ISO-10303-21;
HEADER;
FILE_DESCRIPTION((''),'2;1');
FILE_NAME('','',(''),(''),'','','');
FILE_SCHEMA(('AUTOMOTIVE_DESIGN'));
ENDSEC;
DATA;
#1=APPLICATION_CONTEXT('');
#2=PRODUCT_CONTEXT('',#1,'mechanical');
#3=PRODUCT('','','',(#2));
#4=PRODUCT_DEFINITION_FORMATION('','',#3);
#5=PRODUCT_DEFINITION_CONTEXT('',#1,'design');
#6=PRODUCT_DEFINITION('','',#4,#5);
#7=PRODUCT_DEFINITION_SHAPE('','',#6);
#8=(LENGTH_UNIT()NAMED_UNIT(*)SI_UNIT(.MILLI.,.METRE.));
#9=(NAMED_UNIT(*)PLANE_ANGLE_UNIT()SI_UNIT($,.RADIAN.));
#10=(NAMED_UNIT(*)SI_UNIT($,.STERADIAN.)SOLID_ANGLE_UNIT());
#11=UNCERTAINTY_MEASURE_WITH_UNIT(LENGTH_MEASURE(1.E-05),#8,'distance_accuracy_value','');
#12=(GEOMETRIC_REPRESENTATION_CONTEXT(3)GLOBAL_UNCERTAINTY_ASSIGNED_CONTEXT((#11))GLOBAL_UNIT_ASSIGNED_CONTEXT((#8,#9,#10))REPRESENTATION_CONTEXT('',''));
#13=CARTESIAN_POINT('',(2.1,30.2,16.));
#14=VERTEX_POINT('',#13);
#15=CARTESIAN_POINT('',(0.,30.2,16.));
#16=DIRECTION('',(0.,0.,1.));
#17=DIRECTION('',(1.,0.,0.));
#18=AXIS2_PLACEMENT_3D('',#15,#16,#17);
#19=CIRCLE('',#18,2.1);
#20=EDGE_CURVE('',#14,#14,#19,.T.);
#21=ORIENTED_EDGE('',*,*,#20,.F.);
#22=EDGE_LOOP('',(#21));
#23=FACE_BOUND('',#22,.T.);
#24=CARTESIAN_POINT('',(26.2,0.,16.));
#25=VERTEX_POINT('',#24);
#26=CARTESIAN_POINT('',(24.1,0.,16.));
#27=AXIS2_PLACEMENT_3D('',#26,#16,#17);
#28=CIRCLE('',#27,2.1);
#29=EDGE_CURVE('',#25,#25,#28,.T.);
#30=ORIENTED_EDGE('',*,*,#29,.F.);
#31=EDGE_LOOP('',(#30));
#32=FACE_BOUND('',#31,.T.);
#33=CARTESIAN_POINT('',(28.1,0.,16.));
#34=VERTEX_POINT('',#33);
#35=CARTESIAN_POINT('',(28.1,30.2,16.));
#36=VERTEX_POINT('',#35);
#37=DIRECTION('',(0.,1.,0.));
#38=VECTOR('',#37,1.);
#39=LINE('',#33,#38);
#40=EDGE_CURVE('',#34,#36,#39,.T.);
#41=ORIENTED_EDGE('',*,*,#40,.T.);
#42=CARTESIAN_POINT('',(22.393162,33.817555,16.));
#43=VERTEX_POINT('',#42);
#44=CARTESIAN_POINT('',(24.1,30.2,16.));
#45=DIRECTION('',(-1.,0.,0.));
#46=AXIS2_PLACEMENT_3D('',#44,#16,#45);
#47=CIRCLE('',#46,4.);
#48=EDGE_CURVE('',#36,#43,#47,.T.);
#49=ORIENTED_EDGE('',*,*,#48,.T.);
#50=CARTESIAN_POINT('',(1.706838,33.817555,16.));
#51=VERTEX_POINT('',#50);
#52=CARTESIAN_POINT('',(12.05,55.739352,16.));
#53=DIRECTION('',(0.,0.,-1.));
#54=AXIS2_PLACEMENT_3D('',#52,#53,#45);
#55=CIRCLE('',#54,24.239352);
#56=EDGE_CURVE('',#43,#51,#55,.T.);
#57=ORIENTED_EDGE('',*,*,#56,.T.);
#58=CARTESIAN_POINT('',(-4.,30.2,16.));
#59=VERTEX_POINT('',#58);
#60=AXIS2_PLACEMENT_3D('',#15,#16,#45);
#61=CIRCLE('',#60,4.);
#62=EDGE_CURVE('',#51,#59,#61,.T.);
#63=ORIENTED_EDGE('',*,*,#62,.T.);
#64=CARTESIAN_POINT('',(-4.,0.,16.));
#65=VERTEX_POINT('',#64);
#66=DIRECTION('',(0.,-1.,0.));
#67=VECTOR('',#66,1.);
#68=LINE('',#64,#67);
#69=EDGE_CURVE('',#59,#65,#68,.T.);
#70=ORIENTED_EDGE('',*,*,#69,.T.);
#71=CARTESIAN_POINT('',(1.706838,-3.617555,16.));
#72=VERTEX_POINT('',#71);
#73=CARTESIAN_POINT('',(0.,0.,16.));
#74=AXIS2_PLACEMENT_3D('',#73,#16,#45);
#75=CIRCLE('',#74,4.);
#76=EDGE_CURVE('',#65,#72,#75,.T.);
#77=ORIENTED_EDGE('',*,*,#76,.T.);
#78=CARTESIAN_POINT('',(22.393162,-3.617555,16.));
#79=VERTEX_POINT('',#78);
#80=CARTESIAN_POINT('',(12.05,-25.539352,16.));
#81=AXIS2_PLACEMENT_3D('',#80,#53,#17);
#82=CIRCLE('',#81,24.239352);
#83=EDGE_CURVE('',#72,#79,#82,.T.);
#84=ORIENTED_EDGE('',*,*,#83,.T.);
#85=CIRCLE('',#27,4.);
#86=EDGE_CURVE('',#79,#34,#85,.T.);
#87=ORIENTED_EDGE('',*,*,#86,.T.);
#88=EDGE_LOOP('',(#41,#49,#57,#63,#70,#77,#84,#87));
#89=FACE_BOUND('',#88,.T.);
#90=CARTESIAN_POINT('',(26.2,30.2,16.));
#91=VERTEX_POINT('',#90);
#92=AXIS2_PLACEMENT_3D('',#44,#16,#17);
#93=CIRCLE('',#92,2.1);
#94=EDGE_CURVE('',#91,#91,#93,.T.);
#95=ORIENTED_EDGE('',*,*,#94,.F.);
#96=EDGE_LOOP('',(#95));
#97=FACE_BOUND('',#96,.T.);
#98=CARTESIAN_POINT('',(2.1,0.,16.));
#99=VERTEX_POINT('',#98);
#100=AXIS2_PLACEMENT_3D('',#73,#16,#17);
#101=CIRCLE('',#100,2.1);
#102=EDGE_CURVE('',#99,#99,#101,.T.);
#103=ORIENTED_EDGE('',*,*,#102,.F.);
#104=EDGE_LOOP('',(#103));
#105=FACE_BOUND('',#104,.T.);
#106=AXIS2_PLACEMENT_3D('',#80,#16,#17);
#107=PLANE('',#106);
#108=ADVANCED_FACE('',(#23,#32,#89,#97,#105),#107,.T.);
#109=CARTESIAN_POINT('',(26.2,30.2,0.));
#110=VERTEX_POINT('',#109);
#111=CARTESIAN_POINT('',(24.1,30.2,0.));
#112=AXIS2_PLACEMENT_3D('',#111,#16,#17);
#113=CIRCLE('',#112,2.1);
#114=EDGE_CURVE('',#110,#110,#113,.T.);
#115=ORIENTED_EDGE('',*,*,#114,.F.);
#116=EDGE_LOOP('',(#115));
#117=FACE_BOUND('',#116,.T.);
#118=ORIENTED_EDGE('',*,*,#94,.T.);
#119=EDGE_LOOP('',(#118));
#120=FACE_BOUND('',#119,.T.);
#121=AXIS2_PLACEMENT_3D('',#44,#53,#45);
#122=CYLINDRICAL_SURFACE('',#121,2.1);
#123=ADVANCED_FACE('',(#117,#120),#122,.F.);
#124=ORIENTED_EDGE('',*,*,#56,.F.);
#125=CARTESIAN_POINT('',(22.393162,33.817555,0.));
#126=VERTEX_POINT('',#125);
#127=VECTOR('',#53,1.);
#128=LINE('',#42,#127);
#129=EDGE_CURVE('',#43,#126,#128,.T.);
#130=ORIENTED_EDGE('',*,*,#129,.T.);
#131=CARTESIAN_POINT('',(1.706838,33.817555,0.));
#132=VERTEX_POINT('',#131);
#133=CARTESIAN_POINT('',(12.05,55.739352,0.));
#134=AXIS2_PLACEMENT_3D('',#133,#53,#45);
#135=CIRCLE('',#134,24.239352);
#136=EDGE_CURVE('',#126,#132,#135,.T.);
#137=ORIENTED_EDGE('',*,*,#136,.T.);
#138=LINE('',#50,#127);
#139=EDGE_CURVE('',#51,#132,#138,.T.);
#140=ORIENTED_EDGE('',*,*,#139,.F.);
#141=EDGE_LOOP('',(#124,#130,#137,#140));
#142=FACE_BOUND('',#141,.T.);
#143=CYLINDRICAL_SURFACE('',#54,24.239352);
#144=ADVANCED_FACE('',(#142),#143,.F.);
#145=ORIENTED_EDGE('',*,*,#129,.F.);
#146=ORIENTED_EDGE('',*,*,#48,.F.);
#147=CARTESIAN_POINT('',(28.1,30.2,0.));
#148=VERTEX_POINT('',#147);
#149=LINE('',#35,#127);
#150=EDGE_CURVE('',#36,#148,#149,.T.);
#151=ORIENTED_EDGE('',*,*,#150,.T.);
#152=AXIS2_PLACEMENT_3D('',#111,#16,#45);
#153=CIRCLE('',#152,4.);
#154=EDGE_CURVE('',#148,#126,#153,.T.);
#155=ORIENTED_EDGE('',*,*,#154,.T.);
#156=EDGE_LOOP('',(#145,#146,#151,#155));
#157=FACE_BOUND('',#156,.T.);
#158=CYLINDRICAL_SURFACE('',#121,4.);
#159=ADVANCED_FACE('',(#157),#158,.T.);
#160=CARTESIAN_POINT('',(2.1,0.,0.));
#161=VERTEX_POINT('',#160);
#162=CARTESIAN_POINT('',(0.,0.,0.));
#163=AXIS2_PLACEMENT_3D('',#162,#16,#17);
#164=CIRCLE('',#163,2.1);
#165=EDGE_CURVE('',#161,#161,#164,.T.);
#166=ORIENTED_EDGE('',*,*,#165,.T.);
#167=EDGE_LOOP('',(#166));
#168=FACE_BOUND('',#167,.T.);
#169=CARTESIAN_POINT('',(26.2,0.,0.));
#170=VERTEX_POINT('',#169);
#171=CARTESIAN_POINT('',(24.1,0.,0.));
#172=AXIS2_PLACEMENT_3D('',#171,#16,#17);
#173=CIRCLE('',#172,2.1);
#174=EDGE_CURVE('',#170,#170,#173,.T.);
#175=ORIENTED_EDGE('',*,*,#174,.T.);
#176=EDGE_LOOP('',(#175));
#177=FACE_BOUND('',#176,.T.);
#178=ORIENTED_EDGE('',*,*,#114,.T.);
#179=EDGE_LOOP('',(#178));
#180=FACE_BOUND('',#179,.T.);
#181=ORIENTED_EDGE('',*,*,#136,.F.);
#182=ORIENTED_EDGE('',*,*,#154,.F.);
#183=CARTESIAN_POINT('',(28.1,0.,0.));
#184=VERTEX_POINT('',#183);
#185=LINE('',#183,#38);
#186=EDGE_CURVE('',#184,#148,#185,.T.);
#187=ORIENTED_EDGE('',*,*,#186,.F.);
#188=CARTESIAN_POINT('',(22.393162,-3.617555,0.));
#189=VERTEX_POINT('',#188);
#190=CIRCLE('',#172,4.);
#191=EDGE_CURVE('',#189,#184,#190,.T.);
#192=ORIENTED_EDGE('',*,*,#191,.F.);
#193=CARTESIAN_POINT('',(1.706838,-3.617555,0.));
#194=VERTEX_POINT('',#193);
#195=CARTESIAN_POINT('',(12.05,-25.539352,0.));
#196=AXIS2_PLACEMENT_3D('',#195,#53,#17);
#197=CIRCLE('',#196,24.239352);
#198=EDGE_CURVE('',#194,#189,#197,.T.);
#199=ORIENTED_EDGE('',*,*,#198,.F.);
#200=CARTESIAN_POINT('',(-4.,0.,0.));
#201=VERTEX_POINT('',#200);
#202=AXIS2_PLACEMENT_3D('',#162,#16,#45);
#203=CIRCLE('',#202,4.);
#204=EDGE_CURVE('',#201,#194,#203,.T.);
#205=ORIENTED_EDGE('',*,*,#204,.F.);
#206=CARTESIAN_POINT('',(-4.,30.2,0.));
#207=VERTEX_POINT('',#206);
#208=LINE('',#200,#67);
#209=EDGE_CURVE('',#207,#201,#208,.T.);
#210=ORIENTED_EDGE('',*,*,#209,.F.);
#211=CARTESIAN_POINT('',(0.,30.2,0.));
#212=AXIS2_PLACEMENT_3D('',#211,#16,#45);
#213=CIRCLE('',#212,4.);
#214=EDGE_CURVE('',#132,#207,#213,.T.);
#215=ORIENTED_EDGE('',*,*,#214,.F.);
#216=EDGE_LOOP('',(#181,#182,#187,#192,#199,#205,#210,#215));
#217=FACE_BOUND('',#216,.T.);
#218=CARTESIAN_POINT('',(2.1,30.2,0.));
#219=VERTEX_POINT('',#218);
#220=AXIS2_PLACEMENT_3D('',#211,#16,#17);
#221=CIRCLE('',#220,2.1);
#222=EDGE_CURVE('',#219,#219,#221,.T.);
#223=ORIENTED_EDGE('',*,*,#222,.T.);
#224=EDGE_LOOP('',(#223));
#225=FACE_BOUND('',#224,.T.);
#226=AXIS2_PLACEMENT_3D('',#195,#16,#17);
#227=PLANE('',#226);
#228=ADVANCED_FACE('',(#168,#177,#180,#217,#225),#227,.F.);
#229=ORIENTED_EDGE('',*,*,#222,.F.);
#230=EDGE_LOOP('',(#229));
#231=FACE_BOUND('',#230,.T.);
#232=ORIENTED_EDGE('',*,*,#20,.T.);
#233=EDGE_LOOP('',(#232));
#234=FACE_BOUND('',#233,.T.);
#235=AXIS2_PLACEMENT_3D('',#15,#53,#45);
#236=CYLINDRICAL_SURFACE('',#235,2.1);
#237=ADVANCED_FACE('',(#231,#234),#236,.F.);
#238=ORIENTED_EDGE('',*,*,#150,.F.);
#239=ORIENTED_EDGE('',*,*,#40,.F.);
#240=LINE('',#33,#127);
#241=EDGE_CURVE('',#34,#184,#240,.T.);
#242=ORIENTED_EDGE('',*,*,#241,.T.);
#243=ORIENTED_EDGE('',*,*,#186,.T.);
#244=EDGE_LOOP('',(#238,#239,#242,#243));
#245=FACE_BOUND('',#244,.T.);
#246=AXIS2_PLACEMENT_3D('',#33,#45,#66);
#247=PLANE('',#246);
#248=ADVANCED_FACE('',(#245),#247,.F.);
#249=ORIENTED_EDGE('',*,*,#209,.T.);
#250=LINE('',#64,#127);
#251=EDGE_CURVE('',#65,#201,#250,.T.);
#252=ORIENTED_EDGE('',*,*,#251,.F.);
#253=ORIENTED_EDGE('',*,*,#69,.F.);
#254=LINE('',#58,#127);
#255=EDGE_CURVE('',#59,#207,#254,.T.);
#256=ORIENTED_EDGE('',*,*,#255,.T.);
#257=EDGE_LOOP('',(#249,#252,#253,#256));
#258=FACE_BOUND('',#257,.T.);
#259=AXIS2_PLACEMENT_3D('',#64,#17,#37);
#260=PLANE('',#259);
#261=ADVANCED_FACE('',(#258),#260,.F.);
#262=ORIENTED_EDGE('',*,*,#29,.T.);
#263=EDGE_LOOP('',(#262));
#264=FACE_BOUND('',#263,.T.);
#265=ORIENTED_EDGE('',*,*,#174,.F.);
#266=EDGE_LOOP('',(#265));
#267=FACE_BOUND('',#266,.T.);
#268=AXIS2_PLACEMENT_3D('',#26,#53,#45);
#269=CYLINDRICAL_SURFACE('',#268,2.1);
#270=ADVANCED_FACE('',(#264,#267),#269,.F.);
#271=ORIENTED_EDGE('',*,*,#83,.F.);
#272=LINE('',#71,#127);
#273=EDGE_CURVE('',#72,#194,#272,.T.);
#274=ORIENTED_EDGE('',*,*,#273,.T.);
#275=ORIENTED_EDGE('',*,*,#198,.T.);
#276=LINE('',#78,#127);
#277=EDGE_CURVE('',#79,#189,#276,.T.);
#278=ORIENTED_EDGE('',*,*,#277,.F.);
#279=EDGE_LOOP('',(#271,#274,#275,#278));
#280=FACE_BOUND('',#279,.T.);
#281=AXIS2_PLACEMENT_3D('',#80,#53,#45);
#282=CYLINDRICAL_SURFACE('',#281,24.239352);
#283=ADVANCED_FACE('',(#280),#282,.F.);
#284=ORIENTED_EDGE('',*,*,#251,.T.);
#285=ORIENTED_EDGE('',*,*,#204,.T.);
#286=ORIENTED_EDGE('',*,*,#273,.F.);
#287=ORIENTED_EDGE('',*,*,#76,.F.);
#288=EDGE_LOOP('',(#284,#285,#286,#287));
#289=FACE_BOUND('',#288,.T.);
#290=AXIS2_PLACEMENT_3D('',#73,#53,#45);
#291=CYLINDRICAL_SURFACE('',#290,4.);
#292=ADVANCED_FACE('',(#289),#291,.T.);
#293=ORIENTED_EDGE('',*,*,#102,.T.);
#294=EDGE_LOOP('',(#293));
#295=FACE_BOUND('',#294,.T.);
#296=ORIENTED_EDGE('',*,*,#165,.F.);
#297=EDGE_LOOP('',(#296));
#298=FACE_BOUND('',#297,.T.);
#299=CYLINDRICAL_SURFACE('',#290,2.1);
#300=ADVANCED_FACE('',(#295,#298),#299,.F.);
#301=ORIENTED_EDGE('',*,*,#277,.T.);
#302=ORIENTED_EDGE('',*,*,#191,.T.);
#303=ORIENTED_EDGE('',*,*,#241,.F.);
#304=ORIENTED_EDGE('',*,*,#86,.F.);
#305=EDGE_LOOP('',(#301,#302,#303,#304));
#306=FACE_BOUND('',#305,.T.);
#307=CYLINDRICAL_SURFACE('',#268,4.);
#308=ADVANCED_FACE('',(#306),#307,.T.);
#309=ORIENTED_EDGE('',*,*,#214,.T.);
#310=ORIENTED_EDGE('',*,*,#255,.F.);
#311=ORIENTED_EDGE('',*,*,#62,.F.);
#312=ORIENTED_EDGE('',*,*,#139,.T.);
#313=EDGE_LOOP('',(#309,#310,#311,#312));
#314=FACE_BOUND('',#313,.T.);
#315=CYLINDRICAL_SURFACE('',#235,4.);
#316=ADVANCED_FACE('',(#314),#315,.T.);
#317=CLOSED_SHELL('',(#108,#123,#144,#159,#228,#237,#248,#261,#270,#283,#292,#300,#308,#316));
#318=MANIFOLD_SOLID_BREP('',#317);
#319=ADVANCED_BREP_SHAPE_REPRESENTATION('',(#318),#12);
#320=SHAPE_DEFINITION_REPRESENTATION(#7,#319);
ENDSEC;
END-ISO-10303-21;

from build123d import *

# Parameters (mm, degrees)
SKETCH1_R           = 2.1
BOSS_EXTRUDE1_DEPTH = 16


with BuildPart() as part:
    # Sketch1 → Boss-Extrude1 (new body)
    with BuildSketch(Plane.XY):
        with BuildLine():
            Line((-4, 0), (-4, 30.2))
            ThreePointArc((-4, 30.2), (-2.141570433, 33.578413249), (1.706838041, 33.817554962))
            ThreePointArc((1.706838041, 33.817554962), (12.05, 31.5), (22.393161959, 33.817554962))
            ThreePointArc((22.393161959, 33.817554962), (26.241570433, 33.578413249), (28.1, 30.2))
            Line((28.1, 30.2), (28.1, 0))
            ThreePointArc((28.1, 0), (26.241570433, -3.378413249), (22.393161959, -3.617554962))
            ThreePointArc((22.393161959, -3.617554962), (12.05, -1.3), (1.706838041, -3.617554962))
            ThreePointArc((1.706838041, -3.617554962), (-2.141570433, -3.378413249), (-4, 0))
        make_face()
        Circle(SKETCH1_R, mode=Mode.SUBTRACT)
        with Locations((0, 30.2)):
            Circle(SKETCH1_R, mode=Mode.SUBTRACT)
        with Locations((24.1, 30.2)):
            Circle(SKETCH1_R, mode=Mode.SUBTRACT)
        with Locations((24.1, 0)):
            Circle(SKETCH1_R, mode=Mode.SUBTRACT)
    extrude(amount=BOSS_EXTRUDE1_DEPTH)


solid = part.part
